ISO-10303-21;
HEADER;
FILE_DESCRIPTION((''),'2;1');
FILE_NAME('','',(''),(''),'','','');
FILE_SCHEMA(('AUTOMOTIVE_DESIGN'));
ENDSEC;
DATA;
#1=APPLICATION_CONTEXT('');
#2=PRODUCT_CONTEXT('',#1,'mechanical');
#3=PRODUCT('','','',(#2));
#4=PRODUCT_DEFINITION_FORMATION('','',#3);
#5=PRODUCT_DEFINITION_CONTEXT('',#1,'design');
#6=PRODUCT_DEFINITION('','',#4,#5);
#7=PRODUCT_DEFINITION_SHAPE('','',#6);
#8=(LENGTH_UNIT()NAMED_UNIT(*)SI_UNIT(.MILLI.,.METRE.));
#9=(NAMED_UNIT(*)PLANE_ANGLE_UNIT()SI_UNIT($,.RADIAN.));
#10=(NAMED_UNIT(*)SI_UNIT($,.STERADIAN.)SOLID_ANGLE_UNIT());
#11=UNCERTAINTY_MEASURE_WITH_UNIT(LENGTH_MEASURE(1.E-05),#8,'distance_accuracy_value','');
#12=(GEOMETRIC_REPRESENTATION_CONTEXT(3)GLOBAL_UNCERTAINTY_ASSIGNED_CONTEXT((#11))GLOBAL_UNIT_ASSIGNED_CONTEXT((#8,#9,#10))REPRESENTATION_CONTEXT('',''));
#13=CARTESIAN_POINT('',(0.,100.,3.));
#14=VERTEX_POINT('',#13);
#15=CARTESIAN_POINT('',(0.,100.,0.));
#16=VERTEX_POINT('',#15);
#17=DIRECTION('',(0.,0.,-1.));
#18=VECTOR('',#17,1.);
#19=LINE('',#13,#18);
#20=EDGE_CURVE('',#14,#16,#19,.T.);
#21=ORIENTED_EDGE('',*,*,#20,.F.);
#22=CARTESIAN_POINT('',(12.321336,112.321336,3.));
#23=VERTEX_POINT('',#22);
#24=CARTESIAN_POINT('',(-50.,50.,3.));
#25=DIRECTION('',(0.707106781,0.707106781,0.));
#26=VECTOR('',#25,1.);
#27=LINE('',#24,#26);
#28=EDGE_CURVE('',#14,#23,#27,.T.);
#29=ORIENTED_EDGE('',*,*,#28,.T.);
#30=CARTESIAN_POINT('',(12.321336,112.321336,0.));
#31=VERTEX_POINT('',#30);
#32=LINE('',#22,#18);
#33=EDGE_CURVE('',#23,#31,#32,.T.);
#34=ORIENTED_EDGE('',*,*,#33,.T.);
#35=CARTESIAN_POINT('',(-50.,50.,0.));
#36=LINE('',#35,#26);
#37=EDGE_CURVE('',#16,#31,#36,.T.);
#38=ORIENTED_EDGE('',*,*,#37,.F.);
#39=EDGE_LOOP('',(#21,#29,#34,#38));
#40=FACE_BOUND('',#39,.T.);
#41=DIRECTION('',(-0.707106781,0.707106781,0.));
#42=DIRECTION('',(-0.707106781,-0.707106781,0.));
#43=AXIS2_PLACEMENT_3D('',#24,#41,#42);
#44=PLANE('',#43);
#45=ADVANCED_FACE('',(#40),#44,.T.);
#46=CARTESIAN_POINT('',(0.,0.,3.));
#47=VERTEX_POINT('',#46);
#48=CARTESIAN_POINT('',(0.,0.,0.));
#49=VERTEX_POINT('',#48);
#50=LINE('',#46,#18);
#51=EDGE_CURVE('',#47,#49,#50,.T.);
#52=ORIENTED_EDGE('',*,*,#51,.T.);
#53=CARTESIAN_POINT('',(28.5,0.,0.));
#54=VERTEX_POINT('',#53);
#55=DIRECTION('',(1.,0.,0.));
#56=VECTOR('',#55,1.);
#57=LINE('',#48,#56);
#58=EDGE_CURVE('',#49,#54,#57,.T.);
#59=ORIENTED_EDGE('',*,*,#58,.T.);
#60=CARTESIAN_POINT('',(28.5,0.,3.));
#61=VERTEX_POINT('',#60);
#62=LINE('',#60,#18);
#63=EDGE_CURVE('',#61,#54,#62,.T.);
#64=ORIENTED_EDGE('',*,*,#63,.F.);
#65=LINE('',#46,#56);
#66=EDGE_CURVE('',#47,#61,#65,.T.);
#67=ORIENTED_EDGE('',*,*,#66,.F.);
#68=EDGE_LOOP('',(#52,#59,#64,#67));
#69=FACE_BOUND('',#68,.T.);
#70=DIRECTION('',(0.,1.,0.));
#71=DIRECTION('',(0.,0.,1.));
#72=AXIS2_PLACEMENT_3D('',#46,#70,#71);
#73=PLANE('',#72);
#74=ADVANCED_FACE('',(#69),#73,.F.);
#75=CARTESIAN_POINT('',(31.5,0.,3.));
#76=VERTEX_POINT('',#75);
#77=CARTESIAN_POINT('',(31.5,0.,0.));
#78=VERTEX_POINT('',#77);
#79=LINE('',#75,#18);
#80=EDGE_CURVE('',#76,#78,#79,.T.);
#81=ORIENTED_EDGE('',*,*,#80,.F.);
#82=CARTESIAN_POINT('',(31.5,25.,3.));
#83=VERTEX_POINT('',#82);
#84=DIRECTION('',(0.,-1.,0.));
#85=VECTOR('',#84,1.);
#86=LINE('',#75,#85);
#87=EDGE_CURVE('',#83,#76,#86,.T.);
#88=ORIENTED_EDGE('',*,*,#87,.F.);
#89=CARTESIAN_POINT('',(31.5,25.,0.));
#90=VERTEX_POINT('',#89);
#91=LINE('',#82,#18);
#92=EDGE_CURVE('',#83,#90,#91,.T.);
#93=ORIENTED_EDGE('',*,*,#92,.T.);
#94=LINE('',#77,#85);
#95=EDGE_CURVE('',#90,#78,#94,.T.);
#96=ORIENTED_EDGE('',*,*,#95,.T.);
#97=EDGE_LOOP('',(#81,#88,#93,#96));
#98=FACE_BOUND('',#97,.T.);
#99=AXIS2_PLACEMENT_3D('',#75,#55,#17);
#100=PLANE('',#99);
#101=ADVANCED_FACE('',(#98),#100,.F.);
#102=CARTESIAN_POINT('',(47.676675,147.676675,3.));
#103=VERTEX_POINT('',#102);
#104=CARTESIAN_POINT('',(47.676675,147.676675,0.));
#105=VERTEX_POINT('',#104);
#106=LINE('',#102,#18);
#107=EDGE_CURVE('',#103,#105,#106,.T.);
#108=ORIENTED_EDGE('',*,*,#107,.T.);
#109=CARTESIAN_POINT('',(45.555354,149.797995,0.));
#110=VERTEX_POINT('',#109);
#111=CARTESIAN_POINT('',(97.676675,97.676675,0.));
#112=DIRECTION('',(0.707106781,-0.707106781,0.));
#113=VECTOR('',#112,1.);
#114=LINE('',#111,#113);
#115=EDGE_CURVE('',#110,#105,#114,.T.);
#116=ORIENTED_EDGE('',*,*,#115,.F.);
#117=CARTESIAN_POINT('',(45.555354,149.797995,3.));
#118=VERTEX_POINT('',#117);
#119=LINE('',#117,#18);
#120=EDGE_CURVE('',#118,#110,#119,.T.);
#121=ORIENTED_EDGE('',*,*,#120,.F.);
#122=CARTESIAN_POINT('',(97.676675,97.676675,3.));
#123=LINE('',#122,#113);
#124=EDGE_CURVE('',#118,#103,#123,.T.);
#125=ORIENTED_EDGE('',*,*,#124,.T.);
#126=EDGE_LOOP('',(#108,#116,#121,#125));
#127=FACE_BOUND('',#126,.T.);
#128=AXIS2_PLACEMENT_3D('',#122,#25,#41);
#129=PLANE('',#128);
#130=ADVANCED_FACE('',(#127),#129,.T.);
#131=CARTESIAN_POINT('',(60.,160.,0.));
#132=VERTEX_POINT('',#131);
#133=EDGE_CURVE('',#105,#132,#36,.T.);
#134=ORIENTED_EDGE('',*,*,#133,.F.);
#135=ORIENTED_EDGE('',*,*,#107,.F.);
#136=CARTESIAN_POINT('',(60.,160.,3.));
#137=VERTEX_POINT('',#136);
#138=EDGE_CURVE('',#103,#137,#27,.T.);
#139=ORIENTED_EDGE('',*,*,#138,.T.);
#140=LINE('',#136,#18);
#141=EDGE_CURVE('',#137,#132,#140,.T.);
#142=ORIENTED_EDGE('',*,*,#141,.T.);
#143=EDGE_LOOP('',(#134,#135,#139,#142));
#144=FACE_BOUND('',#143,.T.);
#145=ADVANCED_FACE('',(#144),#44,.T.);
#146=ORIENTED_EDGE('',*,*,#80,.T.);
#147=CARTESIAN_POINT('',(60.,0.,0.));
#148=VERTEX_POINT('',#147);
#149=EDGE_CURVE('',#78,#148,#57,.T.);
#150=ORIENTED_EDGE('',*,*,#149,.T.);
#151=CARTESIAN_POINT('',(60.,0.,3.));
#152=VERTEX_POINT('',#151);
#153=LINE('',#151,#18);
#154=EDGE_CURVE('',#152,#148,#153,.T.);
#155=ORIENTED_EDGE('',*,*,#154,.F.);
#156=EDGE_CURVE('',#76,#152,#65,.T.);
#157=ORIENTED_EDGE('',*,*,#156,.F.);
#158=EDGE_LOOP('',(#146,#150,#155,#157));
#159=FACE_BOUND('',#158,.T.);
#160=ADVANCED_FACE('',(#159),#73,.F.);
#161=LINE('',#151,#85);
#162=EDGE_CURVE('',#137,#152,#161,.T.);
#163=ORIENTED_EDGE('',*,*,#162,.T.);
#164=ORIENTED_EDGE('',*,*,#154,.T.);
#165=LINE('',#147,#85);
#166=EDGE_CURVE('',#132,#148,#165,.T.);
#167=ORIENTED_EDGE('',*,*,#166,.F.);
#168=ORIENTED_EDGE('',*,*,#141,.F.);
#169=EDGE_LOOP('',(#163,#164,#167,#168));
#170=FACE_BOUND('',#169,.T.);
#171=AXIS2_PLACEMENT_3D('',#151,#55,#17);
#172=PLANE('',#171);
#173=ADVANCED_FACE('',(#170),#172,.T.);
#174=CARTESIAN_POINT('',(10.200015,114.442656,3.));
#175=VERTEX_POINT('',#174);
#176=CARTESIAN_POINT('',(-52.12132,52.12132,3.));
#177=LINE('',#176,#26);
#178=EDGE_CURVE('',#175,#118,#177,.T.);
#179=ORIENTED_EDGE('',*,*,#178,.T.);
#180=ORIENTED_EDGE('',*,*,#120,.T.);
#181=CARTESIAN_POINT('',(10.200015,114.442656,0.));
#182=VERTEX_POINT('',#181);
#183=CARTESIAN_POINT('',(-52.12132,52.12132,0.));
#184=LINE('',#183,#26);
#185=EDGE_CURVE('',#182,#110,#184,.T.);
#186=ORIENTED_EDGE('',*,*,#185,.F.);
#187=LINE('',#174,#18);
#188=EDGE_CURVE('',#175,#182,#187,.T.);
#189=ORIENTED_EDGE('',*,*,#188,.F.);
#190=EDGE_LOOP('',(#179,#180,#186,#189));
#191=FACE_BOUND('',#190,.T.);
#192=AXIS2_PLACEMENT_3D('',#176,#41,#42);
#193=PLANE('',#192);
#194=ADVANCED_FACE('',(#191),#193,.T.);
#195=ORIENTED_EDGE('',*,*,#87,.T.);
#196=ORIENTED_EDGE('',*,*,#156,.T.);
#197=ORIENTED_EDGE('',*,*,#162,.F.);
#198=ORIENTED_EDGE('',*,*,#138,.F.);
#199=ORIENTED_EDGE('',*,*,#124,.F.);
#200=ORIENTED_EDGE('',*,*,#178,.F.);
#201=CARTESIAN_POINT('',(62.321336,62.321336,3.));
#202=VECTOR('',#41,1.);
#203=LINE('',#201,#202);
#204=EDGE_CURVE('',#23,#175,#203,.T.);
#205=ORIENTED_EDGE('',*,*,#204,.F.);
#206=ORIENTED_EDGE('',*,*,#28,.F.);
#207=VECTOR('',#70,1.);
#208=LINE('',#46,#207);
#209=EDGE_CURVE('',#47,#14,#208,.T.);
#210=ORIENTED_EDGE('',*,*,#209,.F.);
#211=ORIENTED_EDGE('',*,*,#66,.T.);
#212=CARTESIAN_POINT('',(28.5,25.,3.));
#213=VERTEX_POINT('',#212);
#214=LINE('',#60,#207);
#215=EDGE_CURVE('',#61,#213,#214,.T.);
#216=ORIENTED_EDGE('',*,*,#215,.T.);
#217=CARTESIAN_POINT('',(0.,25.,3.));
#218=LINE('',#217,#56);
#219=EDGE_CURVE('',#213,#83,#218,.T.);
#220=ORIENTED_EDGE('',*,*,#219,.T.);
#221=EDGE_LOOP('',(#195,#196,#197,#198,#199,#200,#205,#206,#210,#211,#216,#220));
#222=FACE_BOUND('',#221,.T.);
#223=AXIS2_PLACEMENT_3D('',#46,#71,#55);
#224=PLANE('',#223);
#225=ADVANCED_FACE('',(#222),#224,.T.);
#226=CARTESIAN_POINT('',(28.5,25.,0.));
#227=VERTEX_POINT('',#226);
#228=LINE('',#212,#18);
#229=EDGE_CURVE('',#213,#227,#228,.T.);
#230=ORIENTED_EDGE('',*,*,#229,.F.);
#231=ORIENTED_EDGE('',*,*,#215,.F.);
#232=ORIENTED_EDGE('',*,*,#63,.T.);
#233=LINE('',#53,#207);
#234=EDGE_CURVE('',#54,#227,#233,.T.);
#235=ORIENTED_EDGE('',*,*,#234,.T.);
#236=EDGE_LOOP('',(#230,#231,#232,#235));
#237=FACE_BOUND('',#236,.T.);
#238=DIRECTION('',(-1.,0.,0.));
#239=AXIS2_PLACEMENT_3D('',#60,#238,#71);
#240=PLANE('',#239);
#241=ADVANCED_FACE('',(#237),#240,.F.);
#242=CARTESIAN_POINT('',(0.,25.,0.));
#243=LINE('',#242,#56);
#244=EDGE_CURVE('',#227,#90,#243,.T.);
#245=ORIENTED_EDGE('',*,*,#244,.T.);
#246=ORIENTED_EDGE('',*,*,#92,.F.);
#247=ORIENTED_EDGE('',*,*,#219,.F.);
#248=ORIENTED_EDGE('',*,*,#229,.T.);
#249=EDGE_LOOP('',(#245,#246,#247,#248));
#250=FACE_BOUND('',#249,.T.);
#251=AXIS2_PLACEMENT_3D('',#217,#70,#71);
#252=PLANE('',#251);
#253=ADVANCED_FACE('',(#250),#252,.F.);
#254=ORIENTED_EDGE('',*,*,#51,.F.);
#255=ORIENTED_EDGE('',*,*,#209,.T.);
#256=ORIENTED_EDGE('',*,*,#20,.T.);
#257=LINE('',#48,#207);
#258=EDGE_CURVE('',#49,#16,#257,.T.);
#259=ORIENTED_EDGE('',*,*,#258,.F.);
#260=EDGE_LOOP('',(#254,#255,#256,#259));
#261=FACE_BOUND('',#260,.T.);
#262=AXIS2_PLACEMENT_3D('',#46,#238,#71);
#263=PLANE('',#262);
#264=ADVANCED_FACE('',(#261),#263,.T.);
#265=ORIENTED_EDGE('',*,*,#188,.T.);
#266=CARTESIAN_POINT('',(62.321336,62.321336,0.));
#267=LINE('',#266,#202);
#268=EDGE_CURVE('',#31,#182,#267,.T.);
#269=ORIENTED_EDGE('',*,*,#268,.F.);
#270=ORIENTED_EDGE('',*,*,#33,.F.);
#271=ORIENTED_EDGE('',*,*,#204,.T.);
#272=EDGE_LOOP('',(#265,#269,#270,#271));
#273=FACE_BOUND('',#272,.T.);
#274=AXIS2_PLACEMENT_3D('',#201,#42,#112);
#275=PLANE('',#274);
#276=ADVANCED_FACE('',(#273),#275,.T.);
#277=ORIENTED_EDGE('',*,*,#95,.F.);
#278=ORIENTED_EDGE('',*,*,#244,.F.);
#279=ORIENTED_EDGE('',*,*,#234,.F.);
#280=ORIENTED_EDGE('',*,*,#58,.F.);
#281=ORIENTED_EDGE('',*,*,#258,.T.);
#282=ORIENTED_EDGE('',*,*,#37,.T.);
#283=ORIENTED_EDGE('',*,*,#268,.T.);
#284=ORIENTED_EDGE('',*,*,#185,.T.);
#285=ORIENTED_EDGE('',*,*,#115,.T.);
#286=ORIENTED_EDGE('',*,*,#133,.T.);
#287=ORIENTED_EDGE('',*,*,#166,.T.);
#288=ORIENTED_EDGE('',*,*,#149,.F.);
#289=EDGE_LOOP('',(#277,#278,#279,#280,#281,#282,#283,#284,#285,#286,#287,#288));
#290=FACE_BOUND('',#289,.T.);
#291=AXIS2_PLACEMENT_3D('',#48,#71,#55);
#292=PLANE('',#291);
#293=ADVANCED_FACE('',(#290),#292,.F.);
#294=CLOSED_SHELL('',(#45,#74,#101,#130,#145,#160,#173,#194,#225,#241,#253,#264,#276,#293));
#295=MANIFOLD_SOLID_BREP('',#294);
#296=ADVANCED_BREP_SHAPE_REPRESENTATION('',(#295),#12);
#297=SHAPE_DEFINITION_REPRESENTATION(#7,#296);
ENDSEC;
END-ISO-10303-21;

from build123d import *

# Parameters (mm, degrees)
BOSS_EXTRU_1_DEPTH = 3


with BuildPart() as part:
    # Esquisse1 → Boss.-Extru.1 (new body)
    with BuildSketch(Plane.XY):
        Polygon((0, 100), (0, 0), (28.5, 0), (28.5, 25), (31.5, 25), (31.5, 0), (60, 0), (60, 160), (47.676674722, 147.676674722), (45.555354378, 149.797995065), (10.200015319, 114.442656006), (12.321335662, 112.321335662), align=None)
    extrude(amount=BOSS_EXTRU_1_DEPTH)


solid = part.part
